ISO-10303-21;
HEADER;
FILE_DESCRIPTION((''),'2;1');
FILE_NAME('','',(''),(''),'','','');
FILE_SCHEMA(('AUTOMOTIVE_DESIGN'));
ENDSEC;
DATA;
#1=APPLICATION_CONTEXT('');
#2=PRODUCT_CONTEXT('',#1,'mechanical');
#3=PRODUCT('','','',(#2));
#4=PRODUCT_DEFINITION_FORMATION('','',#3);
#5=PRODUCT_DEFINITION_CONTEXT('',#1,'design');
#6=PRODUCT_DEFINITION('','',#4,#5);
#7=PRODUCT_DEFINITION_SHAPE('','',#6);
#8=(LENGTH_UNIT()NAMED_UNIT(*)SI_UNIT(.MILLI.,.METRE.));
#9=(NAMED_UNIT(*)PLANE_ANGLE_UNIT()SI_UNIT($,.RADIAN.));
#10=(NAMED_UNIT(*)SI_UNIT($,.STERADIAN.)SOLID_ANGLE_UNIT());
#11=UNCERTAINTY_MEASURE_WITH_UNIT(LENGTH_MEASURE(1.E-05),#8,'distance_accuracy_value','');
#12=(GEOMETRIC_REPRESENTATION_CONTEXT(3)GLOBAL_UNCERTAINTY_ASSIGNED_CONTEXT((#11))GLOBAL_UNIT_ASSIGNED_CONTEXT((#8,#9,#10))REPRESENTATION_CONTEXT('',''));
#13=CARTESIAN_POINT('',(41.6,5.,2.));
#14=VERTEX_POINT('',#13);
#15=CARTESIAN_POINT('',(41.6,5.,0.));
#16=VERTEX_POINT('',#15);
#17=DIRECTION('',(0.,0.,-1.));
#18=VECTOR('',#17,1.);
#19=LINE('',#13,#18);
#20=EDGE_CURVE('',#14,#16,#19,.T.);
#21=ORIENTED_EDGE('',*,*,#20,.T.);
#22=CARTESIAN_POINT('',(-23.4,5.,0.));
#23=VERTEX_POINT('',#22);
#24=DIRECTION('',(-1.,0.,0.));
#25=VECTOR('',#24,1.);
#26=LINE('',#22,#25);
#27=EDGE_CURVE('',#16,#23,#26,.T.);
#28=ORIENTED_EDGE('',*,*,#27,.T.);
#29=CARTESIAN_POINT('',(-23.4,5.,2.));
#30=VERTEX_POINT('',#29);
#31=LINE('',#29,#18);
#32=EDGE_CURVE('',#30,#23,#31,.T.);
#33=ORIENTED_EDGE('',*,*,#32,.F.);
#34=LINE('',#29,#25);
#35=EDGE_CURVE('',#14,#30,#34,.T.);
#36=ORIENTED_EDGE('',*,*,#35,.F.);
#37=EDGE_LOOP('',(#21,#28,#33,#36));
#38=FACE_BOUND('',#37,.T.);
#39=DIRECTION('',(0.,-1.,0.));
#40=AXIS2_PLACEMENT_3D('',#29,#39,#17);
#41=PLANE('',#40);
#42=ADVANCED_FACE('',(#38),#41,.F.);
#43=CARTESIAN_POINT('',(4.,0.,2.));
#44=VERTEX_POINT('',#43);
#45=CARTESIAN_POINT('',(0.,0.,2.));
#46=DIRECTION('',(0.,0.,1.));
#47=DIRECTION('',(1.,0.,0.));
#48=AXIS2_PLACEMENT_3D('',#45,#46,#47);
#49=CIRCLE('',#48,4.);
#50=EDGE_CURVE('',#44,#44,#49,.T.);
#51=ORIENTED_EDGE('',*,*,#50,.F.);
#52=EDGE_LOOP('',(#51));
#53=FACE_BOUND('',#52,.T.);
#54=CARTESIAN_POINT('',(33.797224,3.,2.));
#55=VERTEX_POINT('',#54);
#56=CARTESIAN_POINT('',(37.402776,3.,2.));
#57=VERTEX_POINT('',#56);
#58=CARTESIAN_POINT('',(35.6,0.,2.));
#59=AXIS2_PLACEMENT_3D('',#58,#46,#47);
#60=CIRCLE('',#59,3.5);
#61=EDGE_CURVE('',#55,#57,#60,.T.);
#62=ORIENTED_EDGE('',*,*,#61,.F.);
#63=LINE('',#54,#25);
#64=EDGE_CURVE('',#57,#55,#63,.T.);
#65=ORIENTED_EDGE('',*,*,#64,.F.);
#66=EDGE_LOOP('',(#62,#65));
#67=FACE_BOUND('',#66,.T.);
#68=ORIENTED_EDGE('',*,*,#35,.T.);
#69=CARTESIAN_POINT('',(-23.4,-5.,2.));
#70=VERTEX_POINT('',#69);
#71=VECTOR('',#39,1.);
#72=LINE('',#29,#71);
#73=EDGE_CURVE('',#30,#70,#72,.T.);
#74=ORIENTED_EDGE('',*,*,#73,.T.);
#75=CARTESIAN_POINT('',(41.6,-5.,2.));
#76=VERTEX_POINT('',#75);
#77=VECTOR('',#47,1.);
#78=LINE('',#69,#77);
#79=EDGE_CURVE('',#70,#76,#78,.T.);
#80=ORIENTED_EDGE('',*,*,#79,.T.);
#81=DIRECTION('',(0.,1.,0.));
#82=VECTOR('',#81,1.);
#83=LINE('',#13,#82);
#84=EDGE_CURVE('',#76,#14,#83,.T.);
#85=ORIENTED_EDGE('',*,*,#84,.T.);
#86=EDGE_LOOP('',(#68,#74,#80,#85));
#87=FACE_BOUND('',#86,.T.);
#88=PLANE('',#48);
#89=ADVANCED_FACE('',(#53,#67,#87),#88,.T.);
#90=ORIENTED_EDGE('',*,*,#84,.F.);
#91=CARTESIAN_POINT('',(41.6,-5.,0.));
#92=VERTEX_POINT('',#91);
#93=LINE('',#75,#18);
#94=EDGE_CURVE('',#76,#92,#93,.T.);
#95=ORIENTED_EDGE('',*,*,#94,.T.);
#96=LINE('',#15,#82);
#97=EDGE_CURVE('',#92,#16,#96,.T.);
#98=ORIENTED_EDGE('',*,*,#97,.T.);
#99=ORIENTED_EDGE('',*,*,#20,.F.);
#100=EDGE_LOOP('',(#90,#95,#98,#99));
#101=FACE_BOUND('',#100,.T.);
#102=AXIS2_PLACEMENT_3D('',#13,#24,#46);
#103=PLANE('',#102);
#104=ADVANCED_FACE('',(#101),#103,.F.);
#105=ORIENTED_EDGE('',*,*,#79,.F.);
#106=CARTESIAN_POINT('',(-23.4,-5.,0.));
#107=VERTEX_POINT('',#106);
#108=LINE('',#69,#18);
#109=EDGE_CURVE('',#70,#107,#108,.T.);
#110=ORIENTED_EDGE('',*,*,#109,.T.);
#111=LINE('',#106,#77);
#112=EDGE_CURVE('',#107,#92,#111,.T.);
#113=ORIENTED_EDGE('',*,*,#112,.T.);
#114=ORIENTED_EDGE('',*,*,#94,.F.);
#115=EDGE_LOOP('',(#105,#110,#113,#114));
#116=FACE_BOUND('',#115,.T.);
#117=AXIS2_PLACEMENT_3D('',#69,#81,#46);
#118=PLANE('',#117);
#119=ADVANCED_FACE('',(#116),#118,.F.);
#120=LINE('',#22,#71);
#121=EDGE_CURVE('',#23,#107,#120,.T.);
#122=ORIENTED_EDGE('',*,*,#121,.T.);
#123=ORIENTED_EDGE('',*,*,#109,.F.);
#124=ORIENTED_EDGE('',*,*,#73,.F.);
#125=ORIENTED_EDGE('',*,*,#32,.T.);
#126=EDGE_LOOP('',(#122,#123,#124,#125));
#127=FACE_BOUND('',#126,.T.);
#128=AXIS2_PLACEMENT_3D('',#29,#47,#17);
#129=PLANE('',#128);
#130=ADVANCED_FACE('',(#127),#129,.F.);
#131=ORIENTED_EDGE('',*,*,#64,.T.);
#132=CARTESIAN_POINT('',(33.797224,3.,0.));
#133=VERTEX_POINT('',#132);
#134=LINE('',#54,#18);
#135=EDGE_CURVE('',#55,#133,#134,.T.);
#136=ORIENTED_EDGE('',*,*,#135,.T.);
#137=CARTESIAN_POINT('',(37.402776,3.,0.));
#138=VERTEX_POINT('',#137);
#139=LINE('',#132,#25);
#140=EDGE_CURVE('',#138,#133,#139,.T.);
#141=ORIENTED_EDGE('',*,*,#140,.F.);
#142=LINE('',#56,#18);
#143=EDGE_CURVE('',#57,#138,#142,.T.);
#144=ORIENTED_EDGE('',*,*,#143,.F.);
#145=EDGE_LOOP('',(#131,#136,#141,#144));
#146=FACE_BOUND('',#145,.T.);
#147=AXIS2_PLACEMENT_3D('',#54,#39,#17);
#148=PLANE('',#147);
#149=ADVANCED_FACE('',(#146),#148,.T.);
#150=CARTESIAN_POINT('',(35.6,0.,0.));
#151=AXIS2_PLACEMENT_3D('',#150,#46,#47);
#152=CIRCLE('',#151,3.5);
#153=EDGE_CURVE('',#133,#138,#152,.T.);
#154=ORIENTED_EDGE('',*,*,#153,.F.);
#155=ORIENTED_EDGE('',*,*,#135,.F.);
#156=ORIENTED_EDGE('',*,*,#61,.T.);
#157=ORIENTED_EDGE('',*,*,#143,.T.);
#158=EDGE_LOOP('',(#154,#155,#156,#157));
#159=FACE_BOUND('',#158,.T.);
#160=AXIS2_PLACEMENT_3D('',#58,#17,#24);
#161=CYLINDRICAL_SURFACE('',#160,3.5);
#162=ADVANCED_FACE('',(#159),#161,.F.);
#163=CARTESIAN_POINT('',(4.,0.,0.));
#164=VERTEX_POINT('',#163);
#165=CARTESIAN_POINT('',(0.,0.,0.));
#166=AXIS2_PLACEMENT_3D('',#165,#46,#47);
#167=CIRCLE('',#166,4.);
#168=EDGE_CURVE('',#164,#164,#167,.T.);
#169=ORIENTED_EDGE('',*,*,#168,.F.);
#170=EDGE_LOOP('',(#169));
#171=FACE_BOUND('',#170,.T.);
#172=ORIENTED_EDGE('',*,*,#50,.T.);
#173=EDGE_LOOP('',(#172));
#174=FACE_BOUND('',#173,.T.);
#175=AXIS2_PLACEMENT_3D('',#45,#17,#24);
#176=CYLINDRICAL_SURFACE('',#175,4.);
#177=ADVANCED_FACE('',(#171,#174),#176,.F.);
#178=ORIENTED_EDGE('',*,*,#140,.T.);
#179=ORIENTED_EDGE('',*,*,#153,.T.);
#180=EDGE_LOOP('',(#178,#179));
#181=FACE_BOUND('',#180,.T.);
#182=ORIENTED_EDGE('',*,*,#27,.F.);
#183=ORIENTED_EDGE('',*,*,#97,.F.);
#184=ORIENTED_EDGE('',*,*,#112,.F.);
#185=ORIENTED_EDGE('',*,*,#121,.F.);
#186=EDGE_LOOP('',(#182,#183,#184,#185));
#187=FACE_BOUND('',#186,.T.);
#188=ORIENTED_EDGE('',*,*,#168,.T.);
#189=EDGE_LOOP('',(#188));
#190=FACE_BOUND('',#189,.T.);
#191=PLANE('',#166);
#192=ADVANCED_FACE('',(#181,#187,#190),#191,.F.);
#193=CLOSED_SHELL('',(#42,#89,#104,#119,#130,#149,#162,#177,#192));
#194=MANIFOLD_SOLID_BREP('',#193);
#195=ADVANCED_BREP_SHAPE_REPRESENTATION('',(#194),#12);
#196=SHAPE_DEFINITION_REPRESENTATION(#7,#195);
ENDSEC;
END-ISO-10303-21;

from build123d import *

# Parameters (mm, degrees)
SKETCH1_W           = 65
SKETCH1_H           = 10
SKETCH1_R           = 4
BOSS_EXTRUDE2_DEPTH = 2


with BuildPart() as part:
    # Sketch1 → Boss-Extrude2 (new body)
    with BuildSketch(Plane.XY):
        with Locations((9.1, 0)):
            Rectangle(SKETCH1_W, SKETCH1_H)
        Circle(SKETCH1_R, mode=Mode.SUBTRACT)
        with BuildLine():
            Line((33.797224362, 3), (37.402775638, 3))
            ThreePointArc((37.402775638, 3), (35.6, -3.5), (33.797224362, 3))
        make_face(mode=Mode.SUBTRACT)
    extrude(amount=BOSS_EXTRUDE2_DEPTH)


solid = part.part
